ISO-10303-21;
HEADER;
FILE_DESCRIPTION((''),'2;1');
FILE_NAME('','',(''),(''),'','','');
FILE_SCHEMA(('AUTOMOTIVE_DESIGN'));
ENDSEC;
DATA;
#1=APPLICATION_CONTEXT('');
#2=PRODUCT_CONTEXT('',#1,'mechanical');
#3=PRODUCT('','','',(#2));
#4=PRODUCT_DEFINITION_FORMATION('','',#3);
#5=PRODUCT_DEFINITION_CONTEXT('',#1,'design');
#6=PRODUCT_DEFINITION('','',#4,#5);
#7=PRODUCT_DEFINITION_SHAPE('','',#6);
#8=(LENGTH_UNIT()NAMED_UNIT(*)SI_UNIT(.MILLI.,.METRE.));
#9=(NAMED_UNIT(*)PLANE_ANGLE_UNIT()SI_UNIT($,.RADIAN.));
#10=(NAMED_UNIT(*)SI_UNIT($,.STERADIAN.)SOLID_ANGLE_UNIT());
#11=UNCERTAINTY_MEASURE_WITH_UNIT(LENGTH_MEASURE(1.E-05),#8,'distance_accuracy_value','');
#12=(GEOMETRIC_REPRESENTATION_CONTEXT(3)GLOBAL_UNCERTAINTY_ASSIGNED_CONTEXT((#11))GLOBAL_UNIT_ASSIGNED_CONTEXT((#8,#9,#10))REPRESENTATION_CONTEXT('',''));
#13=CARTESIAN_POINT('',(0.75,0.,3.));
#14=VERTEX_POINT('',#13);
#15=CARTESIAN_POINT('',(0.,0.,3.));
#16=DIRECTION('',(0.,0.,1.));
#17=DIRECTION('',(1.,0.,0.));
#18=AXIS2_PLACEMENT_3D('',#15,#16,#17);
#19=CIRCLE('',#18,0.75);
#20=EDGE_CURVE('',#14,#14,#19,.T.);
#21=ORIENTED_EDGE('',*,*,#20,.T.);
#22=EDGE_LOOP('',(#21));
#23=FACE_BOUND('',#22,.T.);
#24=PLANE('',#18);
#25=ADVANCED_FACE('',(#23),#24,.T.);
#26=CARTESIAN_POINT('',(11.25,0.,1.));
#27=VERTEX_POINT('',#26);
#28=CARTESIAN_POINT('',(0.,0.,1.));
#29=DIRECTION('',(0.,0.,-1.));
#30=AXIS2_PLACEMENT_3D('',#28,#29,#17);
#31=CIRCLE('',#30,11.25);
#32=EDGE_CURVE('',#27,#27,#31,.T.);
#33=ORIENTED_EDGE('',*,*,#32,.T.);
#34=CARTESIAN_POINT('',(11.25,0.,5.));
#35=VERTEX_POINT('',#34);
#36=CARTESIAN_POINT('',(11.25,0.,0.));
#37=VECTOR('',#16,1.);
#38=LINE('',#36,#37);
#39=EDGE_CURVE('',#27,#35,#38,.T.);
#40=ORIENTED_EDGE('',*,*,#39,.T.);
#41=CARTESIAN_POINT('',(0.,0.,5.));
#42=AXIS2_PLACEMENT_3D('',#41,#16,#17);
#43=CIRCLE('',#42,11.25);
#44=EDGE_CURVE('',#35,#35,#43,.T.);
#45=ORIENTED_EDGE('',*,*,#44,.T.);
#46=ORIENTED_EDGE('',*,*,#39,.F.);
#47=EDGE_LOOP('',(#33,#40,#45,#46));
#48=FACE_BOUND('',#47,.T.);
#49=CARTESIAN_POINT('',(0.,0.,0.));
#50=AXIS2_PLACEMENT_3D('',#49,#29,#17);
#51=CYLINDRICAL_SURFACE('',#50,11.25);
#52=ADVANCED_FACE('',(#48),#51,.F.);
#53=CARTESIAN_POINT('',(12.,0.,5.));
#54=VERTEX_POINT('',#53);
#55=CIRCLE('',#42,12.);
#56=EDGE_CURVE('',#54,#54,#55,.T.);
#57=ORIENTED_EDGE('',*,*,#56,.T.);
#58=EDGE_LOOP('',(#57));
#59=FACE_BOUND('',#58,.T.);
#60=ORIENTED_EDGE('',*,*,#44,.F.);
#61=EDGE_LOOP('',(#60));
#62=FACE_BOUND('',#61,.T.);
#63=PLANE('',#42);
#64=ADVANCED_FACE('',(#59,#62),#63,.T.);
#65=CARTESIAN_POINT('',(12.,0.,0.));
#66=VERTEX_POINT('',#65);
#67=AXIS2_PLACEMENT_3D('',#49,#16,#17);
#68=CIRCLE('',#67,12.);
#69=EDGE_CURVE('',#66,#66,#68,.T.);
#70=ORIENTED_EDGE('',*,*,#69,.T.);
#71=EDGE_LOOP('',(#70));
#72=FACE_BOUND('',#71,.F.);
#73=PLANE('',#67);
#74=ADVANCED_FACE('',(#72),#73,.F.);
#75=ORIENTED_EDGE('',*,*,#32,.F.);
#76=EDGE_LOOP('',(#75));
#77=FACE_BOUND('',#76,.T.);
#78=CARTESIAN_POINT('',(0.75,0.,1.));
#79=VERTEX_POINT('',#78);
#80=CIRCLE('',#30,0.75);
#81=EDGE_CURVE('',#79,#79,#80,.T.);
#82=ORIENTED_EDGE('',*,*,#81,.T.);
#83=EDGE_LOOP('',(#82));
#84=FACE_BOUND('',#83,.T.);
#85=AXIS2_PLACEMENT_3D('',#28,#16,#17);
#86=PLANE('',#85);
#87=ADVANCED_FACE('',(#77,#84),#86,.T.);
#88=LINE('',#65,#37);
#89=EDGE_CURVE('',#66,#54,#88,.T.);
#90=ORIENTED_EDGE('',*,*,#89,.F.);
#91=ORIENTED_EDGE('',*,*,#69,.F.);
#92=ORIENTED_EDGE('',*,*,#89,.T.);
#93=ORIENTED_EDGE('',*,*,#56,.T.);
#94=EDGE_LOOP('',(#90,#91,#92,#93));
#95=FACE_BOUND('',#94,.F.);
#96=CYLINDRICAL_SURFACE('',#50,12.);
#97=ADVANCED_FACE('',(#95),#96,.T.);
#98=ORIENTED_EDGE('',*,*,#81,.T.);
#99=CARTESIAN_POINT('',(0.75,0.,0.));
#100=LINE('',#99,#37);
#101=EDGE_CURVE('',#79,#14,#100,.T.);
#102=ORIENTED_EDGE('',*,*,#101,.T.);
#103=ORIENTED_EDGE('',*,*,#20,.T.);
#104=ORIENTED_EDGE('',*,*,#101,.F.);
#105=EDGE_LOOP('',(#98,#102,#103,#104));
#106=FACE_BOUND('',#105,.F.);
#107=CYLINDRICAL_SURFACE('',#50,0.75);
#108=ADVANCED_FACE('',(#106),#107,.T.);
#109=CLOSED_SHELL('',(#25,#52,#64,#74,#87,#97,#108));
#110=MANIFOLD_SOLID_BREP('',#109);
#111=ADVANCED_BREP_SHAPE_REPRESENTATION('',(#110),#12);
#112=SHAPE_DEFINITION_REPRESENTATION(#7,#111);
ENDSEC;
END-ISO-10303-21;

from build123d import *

# Parameters (mm, degrees)
F0_R     = 11.75
F1_DEPTH = 1
F2_R     = 12
F2_R_2   = 11.25
F3_DEPTH = 5
F4_R     = 0.75
F5_DEPTH = 3


with BuildPart() as f1:
    # F0 (on Top) → F1 (new body)
    with BuildSketch(Plane.XY):
        Circle(F0_R)
    extrude(amount=F1_DEPTH)

    # F2 (on Top) → F3 (join)
    with BuildSketch(Plane.XY):
        Circle(F2_R)
        Circle(F2_R_2, mode=Mode.SUBTRACT)
    extrude(amount=F3_DEPTH)

    # F4 (on Top) → F5 (join)
    with BuildSketch(Plane.XY):
        Circle(F4_R)
    extrude(amount=F5_DEPTH)


solid = f1.part
